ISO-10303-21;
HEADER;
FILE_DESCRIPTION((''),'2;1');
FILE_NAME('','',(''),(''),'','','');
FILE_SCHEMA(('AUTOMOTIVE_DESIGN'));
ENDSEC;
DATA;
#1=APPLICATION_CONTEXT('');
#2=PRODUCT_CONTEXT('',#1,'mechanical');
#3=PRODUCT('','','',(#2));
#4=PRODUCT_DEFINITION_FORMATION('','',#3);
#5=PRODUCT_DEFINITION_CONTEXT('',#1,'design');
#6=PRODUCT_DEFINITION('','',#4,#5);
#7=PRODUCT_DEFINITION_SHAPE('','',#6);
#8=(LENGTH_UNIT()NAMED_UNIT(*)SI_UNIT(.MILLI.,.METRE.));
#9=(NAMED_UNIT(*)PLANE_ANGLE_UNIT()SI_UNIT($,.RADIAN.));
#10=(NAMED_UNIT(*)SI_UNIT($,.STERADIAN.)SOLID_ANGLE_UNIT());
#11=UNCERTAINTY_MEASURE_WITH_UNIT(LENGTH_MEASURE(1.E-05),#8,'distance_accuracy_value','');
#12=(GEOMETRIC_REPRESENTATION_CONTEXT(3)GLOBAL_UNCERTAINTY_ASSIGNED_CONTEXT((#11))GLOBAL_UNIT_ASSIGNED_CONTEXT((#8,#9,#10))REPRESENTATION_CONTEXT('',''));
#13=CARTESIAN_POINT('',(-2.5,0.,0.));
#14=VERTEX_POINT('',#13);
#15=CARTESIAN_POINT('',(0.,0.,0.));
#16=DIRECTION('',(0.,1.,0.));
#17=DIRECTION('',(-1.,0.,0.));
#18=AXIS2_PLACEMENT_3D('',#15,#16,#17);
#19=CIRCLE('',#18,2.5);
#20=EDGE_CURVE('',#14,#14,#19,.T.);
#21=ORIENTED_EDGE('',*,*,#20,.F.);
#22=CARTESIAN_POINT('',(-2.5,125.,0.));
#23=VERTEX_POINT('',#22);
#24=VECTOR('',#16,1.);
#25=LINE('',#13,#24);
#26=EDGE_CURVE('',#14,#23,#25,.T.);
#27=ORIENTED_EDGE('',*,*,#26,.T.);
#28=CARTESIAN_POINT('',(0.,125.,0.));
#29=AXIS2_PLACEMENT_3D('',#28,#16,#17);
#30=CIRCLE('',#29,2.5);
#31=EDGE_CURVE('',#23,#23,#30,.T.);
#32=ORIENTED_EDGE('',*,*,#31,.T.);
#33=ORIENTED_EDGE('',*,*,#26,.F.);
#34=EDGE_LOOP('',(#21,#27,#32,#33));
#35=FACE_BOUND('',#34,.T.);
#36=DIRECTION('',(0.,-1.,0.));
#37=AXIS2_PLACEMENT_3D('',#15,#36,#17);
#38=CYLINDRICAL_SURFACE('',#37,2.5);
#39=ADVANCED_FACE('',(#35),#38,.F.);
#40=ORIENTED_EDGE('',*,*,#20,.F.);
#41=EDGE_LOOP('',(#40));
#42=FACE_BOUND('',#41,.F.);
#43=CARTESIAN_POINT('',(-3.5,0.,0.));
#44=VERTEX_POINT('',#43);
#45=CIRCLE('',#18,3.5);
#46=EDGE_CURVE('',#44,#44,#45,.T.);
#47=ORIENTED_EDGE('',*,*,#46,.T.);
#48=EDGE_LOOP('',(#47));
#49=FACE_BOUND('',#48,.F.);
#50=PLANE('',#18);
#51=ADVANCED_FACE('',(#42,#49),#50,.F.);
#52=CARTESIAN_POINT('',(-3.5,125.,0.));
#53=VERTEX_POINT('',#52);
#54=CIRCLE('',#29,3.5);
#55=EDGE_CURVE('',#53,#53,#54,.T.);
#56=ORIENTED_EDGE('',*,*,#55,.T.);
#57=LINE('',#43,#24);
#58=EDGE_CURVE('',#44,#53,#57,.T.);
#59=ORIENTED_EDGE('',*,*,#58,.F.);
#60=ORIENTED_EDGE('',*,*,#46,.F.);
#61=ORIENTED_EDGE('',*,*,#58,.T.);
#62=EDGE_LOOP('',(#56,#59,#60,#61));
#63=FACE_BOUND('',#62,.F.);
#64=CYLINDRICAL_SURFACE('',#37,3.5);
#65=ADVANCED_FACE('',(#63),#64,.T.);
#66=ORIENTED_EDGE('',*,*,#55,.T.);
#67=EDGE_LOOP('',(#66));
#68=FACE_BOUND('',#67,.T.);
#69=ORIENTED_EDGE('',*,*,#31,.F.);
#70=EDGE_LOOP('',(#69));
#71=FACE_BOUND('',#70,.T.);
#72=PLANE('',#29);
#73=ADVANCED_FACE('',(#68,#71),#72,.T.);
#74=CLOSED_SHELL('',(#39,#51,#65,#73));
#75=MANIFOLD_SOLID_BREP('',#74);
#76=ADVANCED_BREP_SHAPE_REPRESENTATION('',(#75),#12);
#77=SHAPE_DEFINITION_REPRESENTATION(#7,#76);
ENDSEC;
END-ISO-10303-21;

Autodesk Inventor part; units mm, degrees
ref_plane "YZ Plane" through (0, 0, 0) normal (1, 0, 0) x (0, 1, 0)
ref_plane "XZ Plane" through (0, 0, 0) normal (0, 1, 0) x (-1, 0, 0)
ref_plane "XY Plane" through (0, 0, 0) normal (0, 0, 1) x (1, 0, 0)
sketch "Sketch1" plane through (0, 0, 0) normal (0, 1, 0) x (-1, 0, 0)
  circle A0 centre (0, 0) radius 3.5
  circle A1 centre (0, 0) radius 2.5
  dimension "d0" = 7
  dimension "d1" = 1
extrude "Extrusion1" add sketch "Sketch1" along normal blind 125
properties part number "036" material "Glass"
